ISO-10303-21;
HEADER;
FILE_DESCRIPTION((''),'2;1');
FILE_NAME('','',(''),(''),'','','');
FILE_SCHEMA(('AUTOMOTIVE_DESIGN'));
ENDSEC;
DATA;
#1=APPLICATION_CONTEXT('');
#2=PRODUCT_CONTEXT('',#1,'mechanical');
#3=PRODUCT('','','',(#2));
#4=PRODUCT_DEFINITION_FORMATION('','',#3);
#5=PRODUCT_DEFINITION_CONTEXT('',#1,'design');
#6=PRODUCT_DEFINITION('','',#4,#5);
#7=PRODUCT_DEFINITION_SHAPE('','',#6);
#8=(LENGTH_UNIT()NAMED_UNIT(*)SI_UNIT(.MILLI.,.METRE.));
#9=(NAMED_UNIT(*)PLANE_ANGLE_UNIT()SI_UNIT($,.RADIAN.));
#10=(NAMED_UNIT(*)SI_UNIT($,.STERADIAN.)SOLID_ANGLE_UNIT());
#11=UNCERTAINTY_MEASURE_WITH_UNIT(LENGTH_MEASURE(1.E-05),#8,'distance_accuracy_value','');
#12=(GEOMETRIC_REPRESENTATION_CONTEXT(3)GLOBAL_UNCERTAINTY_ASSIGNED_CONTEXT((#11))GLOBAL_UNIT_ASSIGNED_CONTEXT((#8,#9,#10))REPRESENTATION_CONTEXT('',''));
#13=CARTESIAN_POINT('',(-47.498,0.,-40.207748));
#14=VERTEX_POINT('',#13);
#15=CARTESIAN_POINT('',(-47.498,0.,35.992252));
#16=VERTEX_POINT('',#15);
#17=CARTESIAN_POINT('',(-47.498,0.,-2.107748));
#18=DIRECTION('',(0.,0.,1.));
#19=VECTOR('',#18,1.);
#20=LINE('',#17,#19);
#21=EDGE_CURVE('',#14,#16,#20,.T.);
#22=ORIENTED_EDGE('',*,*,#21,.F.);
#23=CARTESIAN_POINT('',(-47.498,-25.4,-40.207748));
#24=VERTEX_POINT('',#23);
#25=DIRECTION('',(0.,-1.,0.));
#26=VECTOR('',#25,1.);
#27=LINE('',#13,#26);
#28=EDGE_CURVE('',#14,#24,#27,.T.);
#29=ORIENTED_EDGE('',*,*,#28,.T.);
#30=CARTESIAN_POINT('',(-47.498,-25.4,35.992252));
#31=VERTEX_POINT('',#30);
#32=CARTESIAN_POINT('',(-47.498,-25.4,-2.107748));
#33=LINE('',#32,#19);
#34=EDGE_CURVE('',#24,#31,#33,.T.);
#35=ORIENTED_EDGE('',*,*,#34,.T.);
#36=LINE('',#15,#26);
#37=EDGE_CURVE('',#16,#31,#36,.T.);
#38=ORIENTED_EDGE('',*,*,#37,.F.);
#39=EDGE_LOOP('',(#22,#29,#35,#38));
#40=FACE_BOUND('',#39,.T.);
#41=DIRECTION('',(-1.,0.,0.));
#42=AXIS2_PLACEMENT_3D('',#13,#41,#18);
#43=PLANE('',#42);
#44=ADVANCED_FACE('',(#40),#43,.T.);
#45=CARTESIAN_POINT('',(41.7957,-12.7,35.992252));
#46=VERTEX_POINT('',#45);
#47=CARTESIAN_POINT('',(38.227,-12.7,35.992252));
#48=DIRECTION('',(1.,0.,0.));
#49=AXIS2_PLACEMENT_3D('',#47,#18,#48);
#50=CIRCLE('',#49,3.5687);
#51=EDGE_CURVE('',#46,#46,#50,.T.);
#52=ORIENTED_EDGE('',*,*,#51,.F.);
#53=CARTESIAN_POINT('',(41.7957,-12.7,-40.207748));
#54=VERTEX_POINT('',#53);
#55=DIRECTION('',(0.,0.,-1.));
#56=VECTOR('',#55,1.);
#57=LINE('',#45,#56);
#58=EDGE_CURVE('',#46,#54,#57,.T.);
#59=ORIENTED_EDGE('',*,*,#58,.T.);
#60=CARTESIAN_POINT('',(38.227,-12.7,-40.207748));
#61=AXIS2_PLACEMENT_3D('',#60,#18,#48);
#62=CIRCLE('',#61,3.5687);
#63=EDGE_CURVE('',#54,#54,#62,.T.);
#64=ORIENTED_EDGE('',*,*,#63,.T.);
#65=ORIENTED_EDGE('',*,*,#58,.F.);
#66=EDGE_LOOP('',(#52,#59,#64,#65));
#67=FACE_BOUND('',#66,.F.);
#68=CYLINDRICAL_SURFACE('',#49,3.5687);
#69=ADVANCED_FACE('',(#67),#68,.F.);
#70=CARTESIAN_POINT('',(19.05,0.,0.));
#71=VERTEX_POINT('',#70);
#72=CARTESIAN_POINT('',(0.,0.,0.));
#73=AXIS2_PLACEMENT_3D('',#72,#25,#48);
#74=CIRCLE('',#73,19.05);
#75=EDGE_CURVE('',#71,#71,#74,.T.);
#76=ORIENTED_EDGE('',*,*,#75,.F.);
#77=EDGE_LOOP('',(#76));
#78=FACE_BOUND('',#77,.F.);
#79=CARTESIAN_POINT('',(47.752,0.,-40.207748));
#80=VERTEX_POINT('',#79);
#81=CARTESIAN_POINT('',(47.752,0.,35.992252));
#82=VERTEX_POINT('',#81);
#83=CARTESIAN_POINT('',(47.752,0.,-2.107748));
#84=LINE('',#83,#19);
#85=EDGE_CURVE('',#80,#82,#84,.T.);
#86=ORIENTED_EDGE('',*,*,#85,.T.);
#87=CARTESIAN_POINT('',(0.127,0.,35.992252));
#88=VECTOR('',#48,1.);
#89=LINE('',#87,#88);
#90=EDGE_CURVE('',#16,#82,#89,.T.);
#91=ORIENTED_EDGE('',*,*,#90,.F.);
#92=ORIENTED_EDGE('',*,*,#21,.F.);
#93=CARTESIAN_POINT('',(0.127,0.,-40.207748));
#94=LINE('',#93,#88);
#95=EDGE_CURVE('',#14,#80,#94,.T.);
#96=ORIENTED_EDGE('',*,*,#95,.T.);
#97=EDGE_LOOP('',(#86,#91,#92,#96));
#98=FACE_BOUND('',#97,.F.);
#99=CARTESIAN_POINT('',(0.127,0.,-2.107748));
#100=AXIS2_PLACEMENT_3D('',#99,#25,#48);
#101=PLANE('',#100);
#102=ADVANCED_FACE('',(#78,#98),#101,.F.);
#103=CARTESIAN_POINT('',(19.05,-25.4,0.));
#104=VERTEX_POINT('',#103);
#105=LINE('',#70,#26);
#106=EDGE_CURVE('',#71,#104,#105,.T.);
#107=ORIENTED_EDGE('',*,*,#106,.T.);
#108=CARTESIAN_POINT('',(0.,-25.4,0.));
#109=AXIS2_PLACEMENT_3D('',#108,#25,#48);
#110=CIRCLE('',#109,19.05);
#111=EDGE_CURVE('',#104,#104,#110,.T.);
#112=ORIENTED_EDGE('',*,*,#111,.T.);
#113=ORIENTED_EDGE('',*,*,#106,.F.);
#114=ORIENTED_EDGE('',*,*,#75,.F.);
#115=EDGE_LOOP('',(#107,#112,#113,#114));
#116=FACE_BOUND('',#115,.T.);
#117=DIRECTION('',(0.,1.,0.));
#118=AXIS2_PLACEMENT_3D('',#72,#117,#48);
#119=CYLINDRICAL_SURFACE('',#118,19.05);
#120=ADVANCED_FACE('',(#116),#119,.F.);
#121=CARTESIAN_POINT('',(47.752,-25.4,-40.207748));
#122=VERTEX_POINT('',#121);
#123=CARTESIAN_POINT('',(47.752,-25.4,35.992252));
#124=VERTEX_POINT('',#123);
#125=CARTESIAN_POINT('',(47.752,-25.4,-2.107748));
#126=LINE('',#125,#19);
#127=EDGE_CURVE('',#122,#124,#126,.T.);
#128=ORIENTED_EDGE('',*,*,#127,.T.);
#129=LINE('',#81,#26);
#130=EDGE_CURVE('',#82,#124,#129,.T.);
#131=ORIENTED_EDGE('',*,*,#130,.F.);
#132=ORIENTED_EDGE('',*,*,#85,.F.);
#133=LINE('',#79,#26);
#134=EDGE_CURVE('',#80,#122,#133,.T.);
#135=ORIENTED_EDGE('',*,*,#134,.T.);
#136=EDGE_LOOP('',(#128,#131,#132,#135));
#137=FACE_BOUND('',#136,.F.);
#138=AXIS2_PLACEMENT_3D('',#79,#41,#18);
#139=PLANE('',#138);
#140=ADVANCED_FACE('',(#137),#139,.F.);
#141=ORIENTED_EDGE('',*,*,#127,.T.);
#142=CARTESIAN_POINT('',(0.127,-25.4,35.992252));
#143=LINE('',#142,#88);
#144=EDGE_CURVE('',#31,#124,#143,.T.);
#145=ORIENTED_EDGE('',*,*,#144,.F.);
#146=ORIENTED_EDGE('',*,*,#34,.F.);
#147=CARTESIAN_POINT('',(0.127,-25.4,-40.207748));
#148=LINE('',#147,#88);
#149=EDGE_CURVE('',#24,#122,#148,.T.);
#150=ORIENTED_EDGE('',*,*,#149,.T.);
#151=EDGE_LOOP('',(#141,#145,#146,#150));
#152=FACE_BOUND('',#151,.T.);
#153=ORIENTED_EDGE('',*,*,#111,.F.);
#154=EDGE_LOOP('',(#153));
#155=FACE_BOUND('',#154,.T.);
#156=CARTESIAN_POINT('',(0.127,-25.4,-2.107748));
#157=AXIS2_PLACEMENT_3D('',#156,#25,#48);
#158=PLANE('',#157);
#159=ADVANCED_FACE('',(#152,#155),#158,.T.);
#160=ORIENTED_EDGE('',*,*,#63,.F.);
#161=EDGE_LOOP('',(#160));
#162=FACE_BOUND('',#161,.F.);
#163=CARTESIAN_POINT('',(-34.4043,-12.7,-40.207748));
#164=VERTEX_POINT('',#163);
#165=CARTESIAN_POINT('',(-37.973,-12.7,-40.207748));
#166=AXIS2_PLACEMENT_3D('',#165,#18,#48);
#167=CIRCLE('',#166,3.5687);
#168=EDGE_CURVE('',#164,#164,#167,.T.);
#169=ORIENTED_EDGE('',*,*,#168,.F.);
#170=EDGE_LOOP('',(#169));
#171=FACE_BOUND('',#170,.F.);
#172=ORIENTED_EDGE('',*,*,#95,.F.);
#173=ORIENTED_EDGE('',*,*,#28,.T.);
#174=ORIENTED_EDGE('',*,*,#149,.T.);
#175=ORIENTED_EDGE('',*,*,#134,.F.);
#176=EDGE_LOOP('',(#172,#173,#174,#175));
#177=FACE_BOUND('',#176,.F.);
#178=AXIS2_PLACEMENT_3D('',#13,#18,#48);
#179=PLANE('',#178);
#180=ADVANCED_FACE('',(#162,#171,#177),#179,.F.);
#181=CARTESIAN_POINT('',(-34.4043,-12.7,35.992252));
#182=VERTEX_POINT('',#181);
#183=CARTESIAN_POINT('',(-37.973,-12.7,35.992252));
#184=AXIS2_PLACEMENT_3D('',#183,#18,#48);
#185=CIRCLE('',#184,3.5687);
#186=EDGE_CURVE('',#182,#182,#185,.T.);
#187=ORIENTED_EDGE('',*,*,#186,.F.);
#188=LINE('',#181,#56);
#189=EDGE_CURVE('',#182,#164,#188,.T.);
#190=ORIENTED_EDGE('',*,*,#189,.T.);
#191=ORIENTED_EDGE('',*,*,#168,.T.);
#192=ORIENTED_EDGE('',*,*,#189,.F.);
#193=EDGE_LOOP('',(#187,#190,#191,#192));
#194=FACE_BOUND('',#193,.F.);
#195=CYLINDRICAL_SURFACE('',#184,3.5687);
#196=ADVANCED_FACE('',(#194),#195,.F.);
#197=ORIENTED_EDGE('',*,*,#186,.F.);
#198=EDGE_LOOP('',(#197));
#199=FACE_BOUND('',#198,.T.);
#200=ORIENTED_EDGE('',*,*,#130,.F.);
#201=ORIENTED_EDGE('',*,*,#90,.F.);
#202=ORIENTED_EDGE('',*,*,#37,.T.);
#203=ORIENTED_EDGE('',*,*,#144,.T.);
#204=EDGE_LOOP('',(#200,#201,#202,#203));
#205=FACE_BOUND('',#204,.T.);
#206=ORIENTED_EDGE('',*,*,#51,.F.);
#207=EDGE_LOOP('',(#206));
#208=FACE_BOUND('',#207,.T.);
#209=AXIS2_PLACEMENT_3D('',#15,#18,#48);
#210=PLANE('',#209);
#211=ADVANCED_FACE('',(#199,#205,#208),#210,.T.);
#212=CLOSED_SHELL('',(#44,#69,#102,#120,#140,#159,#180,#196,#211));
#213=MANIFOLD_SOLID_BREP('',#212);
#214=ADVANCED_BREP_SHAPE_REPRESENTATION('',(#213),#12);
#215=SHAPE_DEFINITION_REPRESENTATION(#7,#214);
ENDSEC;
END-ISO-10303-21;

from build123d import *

# Parameters (mm, degrees)
F0_W     = 95.25
F0_H     = 76.2
F0_R     = 19.05
F1_DEPTH = 25.4
F2_R     = 3.5687
F3_DEPTH = 76.201


with BuildPart() as f1:
    # F0 (on Front) → F1 (new body)
    with BuildSketch(Plane.XZ):
        with Locations((0.127, -2.107748)):
            Rectangle(F0_W, F0_H)
        Circle(F0_R, mode=Mode.SUBTRACT)
    extrude(amount=F1_DEPTH)

    # F2 (on face) → F3 (cut, through all)
    with BuildSketch(Plane.XY.offset(35.992252)):
        with Locations((-37.973, -12.7)):
            Circle(F2_R)
        with Locations((38.227, -12.7)):
            Circle(F2_R)
    extrude(amount=-F3_DEPTH, mode=Mode.SUBTRACT)


solid = f1.part
